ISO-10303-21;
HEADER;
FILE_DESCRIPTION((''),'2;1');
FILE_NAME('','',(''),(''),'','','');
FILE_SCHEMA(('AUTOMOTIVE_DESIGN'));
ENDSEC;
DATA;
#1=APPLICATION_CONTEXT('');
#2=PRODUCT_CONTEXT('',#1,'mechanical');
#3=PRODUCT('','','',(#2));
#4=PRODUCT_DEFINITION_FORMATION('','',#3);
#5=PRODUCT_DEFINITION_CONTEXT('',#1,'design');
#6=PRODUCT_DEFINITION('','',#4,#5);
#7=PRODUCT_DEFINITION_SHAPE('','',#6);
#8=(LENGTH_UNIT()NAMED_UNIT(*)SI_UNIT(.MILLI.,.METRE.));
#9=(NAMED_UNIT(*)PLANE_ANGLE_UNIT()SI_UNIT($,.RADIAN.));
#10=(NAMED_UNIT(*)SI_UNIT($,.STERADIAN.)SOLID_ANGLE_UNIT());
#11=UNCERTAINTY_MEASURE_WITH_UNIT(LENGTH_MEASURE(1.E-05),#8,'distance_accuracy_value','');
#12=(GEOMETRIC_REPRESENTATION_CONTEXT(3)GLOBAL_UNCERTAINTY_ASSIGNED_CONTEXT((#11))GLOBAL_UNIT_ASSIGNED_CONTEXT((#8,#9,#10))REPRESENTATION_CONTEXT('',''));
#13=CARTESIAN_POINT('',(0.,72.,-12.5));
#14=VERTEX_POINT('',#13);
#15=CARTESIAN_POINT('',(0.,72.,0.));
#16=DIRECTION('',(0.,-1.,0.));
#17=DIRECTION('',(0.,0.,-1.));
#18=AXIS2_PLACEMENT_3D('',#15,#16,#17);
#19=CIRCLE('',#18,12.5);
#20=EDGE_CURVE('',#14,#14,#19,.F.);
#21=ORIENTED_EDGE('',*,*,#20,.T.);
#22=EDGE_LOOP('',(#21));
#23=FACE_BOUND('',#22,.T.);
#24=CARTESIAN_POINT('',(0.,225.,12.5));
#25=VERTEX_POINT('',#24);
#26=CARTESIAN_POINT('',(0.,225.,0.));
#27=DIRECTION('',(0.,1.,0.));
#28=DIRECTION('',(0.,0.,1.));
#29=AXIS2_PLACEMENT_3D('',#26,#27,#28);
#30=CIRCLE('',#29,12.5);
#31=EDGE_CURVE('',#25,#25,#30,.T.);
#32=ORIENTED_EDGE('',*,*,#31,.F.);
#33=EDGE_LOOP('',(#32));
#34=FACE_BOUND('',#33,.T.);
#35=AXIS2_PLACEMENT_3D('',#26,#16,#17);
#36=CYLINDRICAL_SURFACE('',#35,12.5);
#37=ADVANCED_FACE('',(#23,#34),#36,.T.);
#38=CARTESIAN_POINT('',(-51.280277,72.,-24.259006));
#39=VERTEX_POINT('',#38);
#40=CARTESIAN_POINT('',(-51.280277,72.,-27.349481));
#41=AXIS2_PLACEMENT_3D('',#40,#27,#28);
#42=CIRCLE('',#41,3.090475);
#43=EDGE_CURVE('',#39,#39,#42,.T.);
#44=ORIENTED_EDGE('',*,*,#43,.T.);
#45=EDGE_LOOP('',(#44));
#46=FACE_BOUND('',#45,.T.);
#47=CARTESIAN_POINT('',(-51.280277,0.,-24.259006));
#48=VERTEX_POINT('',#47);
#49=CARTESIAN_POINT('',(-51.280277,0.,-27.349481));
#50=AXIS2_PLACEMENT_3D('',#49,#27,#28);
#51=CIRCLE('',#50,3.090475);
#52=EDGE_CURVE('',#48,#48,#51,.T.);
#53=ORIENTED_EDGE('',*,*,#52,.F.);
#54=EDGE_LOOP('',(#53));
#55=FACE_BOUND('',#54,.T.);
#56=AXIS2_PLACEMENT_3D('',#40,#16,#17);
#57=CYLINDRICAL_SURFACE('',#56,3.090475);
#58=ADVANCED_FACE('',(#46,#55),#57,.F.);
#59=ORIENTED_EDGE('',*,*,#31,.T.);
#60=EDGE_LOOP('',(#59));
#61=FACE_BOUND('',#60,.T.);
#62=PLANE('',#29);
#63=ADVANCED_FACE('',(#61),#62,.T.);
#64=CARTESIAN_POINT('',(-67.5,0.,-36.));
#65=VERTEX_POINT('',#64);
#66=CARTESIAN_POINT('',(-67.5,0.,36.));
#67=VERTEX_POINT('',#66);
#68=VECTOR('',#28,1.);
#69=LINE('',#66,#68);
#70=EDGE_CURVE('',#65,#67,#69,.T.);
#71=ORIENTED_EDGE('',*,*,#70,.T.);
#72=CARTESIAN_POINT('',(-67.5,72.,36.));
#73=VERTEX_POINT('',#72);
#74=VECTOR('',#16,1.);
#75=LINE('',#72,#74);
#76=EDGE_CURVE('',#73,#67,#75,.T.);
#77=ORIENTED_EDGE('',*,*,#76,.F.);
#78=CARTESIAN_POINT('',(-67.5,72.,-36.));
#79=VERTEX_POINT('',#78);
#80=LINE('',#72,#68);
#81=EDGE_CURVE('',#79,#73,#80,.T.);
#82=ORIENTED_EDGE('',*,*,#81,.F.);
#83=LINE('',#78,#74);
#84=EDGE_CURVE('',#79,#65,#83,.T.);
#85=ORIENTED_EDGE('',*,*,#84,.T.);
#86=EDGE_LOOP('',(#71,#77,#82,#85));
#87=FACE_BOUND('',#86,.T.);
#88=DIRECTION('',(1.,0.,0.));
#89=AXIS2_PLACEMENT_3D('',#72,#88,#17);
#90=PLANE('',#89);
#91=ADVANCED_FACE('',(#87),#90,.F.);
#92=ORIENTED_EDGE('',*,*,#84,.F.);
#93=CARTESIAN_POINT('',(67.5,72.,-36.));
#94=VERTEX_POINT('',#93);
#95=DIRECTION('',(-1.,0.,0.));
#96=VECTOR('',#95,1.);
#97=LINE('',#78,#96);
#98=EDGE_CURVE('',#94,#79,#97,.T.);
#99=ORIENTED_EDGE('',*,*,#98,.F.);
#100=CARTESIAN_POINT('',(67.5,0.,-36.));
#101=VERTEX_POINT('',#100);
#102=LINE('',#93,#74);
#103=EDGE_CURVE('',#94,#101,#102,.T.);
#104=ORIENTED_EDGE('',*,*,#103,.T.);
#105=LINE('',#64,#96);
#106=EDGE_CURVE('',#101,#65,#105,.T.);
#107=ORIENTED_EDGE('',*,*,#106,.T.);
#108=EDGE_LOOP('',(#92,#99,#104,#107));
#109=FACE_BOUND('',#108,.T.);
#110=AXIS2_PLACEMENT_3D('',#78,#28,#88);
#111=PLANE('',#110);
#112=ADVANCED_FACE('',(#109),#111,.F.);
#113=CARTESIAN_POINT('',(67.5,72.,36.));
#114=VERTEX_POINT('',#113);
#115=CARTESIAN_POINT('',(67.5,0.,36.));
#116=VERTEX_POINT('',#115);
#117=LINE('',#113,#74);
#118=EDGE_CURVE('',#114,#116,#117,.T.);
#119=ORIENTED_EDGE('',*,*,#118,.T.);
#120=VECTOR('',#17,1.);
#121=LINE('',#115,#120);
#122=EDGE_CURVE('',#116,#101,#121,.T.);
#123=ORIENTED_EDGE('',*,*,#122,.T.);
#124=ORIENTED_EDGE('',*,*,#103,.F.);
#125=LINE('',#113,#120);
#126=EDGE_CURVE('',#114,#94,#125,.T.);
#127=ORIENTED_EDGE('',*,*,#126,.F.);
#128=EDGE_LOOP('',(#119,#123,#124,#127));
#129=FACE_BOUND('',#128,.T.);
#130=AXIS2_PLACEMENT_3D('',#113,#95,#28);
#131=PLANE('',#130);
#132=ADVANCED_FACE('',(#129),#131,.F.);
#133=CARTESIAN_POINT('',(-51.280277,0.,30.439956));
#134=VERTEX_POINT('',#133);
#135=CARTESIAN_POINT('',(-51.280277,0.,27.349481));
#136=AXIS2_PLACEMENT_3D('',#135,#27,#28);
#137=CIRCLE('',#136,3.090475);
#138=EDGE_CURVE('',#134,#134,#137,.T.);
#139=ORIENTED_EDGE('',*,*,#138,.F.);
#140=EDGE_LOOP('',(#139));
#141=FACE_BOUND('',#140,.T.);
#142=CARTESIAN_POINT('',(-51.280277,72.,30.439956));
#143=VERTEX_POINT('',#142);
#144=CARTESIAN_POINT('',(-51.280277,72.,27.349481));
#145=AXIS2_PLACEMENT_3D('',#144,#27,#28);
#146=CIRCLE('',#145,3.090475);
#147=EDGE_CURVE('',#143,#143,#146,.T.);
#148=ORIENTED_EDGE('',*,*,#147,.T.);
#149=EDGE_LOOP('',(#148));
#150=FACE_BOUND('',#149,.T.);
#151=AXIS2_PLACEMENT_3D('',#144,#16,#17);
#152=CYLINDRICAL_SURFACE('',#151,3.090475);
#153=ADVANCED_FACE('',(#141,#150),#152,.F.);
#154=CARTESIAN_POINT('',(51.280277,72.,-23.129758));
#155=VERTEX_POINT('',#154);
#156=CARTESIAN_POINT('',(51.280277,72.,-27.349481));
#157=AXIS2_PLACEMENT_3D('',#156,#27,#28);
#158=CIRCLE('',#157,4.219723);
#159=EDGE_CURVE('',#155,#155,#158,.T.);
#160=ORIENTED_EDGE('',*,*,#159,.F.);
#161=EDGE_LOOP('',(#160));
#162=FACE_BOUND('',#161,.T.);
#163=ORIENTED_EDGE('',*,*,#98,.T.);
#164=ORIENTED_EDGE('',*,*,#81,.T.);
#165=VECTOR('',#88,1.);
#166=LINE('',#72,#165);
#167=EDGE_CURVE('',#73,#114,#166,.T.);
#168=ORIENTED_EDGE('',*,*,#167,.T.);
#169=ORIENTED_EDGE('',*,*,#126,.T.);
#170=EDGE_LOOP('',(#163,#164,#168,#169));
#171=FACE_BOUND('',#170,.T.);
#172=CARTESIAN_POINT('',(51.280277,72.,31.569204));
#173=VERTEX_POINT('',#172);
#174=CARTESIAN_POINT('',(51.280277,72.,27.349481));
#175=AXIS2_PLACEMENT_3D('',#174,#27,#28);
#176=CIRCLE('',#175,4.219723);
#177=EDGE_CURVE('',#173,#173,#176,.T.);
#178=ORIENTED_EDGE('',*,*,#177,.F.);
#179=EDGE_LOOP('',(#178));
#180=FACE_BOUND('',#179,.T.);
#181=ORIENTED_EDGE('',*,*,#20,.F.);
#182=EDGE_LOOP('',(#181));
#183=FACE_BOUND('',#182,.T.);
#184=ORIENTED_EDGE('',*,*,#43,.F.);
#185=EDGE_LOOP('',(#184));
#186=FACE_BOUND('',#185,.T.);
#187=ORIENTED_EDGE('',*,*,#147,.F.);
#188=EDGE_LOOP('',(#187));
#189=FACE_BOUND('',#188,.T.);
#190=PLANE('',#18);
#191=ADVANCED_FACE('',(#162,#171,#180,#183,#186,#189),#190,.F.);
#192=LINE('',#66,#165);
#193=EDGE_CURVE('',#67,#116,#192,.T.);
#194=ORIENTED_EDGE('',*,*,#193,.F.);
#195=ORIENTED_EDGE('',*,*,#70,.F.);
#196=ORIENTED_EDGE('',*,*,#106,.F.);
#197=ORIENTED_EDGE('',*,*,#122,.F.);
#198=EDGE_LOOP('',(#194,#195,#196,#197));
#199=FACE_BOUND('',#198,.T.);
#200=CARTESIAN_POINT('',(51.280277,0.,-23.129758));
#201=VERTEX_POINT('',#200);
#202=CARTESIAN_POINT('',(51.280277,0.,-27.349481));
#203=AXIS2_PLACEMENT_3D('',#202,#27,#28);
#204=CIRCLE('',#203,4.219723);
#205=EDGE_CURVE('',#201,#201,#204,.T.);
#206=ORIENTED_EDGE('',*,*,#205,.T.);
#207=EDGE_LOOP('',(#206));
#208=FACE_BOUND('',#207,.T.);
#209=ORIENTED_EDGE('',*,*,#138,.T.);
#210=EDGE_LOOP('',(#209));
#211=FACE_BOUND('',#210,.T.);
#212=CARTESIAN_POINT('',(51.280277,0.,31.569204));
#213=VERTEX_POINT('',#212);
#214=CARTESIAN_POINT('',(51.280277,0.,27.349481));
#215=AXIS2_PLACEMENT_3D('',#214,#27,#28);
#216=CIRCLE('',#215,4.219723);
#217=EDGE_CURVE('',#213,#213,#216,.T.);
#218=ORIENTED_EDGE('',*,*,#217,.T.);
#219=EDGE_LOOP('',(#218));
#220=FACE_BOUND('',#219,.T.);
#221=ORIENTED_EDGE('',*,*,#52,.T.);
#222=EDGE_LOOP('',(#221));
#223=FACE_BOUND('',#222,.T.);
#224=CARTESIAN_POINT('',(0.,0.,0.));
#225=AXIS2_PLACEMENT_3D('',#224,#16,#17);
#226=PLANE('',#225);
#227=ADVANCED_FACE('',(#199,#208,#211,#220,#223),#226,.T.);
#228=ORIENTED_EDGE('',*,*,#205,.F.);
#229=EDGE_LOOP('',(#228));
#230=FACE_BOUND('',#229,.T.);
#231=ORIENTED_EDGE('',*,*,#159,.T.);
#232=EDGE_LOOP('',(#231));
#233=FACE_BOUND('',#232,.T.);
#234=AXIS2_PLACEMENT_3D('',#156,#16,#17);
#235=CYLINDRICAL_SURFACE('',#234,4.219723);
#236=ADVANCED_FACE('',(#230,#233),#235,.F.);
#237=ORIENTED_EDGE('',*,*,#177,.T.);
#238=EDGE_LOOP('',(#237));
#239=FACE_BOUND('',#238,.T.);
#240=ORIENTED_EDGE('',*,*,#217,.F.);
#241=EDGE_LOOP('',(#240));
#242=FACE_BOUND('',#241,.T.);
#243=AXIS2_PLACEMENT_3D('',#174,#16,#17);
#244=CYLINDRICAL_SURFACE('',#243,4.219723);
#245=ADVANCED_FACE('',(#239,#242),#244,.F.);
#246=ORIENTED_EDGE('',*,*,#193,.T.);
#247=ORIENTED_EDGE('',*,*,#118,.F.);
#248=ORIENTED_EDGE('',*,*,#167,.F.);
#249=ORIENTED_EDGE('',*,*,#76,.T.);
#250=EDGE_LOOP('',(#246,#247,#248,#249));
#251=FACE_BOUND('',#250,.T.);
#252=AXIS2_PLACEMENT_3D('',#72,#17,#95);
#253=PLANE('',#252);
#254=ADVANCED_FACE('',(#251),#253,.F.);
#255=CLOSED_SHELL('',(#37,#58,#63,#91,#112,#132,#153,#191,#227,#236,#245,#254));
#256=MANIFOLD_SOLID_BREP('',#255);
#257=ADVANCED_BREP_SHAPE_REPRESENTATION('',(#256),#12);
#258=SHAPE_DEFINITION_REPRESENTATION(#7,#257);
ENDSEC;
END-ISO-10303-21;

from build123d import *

# Parameters (mm, degrees)
F_01_HOUSING_PROFILE_W      = 135
F_01_HOUSING_PROFILE_H      = 72
F_01_HOUSING_PROFILE_R      = 3.090475378
F_01_HOUSING_PROFILE_R_2    = 4.219723183
F_01_HOUSING_BLOCK_DEPTH    = 72
F_03_OUTPUT_SHAFT_PROFILE_R = 12.5
F_03_OUTPUT_SHAFT_DEPTH     = 225


with BuildPart() as part:
    # 01_Housing_Profile → 01_Housing_Block (new body)
    with BuildSketch(Plane(origin=(0, 0, 0), x_dir=(1, 0, 0), z_dir=(0, 1, 0))):
        Rectangle(F_01_HOUSING_PROFILE_W, F_01_HOUSING_PROFILE_H)
        with Locations(Location((-51.280276817, -27.349480969, 0), (0, 0, 270))):
            Circle(F_01_HOUSING_PROFILE_R, mode=Mode.SUBTRACT)
        with Locations(Location((51.280276817, -27.349480969, 0), (0, 0, 270))):
            Circle(F_01_HOUSING_PROFILE_R_2, mode=Mode.SUBTRACT)
        with Locations(Location((-51.280276817, 27.349480969, 0), (0, 0, 270))):
            Circle(F_01_HOUSING_PROFILE_R, mode=Mode.SUBTRACT)
        with Locations(Location((51.280276817, 27.349480969, 0), (0, 0, 270))):
            Circle(F_01_HOUSING_PROFILE_R_2, mode=Mode.SUBTRACT)
    extrude(amount=F_01_HOUSING_BLOCK_DEPTH)

    # 03_Output_Shaft_Profile → 03_Output_Shaft (add)
    with BuildSketch(Plane(origin=(0, 0, 0), x_dir=(1, 0, 0), z_dir=(0, 1, 0))):
        with Locations(Location((0, 0, 0), (0, 0, 90))):
            Circle(F_03_OUTPUT_SHAFT_PROFILE_R)
    extrude(amount=F_03_OUTPUT_SHAFT_DEPTH)


solid = part.part
